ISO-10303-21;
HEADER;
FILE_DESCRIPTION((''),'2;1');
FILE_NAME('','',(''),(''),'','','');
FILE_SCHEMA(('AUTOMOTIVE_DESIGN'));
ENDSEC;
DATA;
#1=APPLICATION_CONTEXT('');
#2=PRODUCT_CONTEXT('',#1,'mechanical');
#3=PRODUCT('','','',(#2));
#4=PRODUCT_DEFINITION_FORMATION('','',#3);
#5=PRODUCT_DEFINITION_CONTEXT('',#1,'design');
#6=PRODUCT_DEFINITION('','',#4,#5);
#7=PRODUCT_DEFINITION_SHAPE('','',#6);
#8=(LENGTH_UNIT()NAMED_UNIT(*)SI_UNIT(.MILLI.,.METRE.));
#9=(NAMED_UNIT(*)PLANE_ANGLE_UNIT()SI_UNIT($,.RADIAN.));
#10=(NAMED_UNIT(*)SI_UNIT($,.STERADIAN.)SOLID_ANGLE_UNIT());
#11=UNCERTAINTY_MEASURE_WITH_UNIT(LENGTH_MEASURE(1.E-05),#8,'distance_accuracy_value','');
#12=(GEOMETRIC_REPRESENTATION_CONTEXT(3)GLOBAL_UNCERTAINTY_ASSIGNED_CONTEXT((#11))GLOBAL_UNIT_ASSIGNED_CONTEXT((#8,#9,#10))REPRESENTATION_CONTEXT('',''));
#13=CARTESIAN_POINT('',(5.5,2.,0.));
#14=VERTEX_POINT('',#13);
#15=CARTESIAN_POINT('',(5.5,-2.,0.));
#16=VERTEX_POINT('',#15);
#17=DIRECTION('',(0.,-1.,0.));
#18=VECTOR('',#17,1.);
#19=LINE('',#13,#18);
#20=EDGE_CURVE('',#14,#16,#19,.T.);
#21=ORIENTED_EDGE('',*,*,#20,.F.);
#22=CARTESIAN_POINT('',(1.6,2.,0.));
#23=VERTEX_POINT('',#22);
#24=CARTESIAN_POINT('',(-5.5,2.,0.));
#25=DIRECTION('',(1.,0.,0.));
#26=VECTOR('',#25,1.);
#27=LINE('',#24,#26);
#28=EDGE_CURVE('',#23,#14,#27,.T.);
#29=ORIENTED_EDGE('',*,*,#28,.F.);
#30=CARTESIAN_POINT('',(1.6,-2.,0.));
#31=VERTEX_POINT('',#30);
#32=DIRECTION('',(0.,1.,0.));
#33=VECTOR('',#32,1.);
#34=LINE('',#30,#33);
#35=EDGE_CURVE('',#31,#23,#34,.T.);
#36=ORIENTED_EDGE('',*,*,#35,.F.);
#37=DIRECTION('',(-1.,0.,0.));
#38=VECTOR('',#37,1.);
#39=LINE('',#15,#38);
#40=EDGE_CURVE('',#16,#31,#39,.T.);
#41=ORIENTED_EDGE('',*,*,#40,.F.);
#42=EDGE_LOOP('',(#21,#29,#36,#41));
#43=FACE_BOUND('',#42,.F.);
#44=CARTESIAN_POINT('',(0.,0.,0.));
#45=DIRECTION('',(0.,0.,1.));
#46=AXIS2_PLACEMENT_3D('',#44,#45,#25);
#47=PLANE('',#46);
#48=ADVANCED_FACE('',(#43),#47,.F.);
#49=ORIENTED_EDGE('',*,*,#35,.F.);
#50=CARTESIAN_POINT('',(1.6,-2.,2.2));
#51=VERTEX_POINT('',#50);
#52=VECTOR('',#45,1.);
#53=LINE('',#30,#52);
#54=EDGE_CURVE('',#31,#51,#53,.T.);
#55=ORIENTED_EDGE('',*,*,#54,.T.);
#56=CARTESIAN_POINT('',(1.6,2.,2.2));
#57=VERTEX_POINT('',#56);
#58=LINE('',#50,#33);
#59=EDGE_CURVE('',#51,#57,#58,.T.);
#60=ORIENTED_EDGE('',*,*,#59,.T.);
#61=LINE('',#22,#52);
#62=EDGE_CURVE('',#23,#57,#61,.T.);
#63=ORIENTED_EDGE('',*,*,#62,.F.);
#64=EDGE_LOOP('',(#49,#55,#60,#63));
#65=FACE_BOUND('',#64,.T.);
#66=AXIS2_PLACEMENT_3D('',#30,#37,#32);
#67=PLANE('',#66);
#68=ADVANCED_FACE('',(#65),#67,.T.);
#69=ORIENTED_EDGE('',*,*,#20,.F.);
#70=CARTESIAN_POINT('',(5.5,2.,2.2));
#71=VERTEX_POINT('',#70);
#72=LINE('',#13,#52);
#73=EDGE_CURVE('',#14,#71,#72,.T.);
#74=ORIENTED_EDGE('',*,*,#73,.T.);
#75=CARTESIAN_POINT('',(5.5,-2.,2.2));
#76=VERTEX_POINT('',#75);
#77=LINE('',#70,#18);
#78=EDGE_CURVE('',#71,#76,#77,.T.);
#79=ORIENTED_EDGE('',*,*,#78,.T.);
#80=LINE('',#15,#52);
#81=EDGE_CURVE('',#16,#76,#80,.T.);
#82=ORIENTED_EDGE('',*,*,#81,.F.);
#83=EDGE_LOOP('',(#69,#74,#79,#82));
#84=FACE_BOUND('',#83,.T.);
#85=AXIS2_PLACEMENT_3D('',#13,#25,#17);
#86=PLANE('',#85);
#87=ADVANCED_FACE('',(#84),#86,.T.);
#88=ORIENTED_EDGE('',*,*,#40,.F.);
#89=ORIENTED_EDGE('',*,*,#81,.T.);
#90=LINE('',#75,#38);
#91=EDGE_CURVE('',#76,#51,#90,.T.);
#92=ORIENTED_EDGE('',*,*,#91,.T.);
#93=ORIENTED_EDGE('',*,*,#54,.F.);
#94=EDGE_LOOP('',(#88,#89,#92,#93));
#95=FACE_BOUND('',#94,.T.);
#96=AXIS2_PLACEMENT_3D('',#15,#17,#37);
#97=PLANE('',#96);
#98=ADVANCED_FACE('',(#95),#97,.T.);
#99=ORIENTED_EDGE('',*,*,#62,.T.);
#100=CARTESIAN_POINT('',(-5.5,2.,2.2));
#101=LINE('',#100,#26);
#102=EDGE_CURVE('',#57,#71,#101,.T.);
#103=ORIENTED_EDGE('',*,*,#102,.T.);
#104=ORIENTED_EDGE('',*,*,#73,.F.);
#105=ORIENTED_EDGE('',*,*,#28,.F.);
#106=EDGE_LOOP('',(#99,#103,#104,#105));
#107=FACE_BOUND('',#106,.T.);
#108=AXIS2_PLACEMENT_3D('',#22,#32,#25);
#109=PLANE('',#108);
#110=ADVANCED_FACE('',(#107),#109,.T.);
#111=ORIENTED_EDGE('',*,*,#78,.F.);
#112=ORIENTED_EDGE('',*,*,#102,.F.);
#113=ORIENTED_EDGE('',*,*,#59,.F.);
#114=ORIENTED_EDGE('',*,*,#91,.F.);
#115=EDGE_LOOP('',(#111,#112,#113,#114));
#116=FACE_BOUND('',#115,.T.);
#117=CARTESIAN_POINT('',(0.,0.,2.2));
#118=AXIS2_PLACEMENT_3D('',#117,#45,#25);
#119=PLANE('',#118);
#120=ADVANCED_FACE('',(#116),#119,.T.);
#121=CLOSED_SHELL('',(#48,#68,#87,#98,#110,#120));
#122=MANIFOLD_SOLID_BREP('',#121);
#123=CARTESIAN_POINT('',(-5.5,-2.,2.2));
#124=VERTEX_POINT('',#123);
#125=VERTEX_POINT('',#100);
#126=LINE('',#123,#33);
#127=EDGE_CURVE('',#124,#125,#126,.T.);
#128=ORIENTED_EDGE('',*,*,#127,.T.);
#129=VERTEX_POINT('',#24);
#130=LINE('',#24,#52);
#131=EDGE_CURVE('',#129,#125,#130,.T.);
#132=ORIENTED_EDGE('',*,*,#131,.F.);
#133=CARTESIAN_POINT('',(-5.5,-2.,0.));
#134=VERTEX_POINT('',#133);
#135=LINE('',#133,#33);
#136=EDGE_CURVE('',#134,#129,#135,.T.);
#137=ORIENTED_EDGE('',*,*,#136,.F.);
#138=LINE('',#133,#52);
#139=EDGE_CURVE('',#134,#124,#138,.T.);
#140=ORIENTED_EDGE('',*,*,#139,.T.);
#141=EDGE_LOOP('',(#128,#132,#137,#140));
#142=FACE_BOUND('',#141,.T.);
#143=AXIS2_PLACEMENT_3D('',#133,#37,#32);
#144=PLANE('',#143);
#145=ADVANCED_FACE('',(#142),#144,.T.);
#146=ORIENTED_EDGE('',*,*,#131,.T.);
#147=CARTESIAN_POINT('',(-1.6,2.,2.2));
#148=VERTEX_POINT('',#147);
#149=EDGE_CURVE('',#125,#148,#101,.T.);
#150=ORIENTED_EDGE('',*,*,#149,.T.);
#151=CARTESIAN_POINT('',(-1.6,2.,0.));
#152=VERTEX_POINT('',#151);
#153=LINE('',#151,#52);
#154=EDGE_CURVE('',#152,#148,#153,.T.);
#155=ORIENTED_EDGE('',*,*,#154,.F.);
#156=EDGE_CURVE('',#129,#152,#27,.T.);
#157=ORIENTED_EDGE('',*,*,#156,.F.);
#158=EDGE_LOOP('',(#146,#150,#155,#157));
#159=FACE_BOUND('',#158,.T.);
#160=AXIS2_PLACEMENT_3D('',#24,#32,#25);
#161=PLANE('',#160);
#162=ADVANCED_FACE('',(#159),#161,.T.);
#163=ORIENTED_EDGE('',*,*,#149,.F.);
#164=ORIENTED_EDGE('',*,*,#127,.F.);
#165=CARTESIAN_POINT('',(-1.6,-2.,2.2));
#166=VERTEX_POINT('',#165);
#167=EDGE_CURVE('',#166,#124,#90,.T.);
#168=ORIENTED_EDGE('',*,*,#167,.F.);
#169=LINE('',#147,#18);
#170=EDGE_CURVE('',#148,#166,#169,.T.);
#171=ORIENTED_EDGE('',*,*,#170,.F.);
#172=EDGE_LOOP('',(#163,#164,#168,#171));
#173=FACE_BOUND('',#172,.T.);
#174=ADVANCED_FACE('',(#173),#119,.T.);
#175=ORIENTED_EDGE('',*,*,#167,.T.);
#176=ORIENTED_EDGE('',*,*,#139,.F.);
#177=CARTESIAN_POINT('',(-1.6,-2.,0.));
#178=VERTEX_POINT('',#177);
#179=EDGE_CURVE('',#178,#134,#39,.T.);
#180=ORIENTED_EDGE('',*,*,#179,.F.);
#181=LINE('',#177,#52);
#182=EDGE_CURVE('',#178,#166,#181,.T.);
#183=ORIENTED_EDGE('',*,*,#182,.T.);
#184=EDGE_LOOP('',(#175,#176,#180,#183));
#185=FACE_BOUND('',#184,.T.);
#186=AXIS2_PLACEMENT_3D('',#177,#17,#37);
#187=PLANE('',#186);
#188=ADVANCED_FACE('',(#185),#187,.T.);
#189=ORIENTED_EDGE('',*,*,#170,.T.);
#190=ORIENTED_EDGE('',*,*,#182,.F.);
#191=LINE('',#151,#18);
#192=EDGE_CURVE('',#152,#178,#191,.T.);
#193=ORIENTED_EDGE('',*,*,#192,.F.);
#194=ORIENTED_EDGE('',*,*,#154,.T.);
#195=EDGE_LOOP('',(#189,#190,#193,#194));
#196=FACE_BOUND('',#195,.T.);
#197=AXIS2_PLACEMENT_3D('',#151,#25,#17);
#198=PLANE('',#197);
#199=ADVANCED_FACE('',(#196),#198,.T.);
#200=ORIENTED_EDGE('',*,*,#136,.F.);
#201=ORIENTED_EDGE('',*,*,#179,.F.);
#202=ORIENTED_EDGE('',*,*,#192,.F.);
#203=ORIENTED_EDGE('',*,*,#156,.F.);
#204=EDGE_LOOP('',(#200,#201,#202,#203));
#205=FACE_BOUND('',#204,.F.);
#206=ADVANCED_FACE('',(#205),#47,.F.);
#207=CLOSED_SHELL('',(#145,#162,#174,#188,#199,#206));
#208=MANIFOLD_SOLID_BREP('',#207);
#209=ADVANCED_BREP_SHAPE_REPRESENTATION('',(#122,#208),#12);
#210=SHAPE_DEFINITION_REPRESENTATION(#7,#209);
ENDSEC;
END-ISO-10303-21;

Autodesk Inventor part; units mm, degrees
ref_plane "YZ Plane" through (0, 0, 0) normal (1, 0, 0) x (0, 1, 0)
ref_plane "XZ Plane" through (0, 0, 0) normal (0, 1, 0) x (-1, 0, 0)
sketch "Sketch1" plane through (0, 0, 0) normal (0, 0, 1) x (1, 0, 0)
  point P0 (0, 0)
sketch "Sketch2" plane through (0, 0, 0) normal (0, 0, 1) x (1, 0, 0)
  line L0 (-5.5, 2) -> (5.5, 2) projected
  line L1 (-5.5, -2) -> (-5.5, 2) projected
  line L2 (5.5, -2) -> (-5.5, -2) projected
  line L3 (5.5, 2) -> (5.5, -2) projected
  line L4 (-1.6, 2) -> (-1.6, -2) projected
  line L5 (1.6, -2) -> (1.6, 2) projected
  point P0 (0, 0)
ref_plane "Work Plane1" through (-5.4608, -2, 2.2) normal (0, 0, -1) x (0, 1, 0)
extrude "Extrusion1" add sketch "Sketch2" along normal up to surface (2.2 mm away) contours L0 L4 L2 L1 | L0 L3 L2 L5
properties part number "spacer1"
